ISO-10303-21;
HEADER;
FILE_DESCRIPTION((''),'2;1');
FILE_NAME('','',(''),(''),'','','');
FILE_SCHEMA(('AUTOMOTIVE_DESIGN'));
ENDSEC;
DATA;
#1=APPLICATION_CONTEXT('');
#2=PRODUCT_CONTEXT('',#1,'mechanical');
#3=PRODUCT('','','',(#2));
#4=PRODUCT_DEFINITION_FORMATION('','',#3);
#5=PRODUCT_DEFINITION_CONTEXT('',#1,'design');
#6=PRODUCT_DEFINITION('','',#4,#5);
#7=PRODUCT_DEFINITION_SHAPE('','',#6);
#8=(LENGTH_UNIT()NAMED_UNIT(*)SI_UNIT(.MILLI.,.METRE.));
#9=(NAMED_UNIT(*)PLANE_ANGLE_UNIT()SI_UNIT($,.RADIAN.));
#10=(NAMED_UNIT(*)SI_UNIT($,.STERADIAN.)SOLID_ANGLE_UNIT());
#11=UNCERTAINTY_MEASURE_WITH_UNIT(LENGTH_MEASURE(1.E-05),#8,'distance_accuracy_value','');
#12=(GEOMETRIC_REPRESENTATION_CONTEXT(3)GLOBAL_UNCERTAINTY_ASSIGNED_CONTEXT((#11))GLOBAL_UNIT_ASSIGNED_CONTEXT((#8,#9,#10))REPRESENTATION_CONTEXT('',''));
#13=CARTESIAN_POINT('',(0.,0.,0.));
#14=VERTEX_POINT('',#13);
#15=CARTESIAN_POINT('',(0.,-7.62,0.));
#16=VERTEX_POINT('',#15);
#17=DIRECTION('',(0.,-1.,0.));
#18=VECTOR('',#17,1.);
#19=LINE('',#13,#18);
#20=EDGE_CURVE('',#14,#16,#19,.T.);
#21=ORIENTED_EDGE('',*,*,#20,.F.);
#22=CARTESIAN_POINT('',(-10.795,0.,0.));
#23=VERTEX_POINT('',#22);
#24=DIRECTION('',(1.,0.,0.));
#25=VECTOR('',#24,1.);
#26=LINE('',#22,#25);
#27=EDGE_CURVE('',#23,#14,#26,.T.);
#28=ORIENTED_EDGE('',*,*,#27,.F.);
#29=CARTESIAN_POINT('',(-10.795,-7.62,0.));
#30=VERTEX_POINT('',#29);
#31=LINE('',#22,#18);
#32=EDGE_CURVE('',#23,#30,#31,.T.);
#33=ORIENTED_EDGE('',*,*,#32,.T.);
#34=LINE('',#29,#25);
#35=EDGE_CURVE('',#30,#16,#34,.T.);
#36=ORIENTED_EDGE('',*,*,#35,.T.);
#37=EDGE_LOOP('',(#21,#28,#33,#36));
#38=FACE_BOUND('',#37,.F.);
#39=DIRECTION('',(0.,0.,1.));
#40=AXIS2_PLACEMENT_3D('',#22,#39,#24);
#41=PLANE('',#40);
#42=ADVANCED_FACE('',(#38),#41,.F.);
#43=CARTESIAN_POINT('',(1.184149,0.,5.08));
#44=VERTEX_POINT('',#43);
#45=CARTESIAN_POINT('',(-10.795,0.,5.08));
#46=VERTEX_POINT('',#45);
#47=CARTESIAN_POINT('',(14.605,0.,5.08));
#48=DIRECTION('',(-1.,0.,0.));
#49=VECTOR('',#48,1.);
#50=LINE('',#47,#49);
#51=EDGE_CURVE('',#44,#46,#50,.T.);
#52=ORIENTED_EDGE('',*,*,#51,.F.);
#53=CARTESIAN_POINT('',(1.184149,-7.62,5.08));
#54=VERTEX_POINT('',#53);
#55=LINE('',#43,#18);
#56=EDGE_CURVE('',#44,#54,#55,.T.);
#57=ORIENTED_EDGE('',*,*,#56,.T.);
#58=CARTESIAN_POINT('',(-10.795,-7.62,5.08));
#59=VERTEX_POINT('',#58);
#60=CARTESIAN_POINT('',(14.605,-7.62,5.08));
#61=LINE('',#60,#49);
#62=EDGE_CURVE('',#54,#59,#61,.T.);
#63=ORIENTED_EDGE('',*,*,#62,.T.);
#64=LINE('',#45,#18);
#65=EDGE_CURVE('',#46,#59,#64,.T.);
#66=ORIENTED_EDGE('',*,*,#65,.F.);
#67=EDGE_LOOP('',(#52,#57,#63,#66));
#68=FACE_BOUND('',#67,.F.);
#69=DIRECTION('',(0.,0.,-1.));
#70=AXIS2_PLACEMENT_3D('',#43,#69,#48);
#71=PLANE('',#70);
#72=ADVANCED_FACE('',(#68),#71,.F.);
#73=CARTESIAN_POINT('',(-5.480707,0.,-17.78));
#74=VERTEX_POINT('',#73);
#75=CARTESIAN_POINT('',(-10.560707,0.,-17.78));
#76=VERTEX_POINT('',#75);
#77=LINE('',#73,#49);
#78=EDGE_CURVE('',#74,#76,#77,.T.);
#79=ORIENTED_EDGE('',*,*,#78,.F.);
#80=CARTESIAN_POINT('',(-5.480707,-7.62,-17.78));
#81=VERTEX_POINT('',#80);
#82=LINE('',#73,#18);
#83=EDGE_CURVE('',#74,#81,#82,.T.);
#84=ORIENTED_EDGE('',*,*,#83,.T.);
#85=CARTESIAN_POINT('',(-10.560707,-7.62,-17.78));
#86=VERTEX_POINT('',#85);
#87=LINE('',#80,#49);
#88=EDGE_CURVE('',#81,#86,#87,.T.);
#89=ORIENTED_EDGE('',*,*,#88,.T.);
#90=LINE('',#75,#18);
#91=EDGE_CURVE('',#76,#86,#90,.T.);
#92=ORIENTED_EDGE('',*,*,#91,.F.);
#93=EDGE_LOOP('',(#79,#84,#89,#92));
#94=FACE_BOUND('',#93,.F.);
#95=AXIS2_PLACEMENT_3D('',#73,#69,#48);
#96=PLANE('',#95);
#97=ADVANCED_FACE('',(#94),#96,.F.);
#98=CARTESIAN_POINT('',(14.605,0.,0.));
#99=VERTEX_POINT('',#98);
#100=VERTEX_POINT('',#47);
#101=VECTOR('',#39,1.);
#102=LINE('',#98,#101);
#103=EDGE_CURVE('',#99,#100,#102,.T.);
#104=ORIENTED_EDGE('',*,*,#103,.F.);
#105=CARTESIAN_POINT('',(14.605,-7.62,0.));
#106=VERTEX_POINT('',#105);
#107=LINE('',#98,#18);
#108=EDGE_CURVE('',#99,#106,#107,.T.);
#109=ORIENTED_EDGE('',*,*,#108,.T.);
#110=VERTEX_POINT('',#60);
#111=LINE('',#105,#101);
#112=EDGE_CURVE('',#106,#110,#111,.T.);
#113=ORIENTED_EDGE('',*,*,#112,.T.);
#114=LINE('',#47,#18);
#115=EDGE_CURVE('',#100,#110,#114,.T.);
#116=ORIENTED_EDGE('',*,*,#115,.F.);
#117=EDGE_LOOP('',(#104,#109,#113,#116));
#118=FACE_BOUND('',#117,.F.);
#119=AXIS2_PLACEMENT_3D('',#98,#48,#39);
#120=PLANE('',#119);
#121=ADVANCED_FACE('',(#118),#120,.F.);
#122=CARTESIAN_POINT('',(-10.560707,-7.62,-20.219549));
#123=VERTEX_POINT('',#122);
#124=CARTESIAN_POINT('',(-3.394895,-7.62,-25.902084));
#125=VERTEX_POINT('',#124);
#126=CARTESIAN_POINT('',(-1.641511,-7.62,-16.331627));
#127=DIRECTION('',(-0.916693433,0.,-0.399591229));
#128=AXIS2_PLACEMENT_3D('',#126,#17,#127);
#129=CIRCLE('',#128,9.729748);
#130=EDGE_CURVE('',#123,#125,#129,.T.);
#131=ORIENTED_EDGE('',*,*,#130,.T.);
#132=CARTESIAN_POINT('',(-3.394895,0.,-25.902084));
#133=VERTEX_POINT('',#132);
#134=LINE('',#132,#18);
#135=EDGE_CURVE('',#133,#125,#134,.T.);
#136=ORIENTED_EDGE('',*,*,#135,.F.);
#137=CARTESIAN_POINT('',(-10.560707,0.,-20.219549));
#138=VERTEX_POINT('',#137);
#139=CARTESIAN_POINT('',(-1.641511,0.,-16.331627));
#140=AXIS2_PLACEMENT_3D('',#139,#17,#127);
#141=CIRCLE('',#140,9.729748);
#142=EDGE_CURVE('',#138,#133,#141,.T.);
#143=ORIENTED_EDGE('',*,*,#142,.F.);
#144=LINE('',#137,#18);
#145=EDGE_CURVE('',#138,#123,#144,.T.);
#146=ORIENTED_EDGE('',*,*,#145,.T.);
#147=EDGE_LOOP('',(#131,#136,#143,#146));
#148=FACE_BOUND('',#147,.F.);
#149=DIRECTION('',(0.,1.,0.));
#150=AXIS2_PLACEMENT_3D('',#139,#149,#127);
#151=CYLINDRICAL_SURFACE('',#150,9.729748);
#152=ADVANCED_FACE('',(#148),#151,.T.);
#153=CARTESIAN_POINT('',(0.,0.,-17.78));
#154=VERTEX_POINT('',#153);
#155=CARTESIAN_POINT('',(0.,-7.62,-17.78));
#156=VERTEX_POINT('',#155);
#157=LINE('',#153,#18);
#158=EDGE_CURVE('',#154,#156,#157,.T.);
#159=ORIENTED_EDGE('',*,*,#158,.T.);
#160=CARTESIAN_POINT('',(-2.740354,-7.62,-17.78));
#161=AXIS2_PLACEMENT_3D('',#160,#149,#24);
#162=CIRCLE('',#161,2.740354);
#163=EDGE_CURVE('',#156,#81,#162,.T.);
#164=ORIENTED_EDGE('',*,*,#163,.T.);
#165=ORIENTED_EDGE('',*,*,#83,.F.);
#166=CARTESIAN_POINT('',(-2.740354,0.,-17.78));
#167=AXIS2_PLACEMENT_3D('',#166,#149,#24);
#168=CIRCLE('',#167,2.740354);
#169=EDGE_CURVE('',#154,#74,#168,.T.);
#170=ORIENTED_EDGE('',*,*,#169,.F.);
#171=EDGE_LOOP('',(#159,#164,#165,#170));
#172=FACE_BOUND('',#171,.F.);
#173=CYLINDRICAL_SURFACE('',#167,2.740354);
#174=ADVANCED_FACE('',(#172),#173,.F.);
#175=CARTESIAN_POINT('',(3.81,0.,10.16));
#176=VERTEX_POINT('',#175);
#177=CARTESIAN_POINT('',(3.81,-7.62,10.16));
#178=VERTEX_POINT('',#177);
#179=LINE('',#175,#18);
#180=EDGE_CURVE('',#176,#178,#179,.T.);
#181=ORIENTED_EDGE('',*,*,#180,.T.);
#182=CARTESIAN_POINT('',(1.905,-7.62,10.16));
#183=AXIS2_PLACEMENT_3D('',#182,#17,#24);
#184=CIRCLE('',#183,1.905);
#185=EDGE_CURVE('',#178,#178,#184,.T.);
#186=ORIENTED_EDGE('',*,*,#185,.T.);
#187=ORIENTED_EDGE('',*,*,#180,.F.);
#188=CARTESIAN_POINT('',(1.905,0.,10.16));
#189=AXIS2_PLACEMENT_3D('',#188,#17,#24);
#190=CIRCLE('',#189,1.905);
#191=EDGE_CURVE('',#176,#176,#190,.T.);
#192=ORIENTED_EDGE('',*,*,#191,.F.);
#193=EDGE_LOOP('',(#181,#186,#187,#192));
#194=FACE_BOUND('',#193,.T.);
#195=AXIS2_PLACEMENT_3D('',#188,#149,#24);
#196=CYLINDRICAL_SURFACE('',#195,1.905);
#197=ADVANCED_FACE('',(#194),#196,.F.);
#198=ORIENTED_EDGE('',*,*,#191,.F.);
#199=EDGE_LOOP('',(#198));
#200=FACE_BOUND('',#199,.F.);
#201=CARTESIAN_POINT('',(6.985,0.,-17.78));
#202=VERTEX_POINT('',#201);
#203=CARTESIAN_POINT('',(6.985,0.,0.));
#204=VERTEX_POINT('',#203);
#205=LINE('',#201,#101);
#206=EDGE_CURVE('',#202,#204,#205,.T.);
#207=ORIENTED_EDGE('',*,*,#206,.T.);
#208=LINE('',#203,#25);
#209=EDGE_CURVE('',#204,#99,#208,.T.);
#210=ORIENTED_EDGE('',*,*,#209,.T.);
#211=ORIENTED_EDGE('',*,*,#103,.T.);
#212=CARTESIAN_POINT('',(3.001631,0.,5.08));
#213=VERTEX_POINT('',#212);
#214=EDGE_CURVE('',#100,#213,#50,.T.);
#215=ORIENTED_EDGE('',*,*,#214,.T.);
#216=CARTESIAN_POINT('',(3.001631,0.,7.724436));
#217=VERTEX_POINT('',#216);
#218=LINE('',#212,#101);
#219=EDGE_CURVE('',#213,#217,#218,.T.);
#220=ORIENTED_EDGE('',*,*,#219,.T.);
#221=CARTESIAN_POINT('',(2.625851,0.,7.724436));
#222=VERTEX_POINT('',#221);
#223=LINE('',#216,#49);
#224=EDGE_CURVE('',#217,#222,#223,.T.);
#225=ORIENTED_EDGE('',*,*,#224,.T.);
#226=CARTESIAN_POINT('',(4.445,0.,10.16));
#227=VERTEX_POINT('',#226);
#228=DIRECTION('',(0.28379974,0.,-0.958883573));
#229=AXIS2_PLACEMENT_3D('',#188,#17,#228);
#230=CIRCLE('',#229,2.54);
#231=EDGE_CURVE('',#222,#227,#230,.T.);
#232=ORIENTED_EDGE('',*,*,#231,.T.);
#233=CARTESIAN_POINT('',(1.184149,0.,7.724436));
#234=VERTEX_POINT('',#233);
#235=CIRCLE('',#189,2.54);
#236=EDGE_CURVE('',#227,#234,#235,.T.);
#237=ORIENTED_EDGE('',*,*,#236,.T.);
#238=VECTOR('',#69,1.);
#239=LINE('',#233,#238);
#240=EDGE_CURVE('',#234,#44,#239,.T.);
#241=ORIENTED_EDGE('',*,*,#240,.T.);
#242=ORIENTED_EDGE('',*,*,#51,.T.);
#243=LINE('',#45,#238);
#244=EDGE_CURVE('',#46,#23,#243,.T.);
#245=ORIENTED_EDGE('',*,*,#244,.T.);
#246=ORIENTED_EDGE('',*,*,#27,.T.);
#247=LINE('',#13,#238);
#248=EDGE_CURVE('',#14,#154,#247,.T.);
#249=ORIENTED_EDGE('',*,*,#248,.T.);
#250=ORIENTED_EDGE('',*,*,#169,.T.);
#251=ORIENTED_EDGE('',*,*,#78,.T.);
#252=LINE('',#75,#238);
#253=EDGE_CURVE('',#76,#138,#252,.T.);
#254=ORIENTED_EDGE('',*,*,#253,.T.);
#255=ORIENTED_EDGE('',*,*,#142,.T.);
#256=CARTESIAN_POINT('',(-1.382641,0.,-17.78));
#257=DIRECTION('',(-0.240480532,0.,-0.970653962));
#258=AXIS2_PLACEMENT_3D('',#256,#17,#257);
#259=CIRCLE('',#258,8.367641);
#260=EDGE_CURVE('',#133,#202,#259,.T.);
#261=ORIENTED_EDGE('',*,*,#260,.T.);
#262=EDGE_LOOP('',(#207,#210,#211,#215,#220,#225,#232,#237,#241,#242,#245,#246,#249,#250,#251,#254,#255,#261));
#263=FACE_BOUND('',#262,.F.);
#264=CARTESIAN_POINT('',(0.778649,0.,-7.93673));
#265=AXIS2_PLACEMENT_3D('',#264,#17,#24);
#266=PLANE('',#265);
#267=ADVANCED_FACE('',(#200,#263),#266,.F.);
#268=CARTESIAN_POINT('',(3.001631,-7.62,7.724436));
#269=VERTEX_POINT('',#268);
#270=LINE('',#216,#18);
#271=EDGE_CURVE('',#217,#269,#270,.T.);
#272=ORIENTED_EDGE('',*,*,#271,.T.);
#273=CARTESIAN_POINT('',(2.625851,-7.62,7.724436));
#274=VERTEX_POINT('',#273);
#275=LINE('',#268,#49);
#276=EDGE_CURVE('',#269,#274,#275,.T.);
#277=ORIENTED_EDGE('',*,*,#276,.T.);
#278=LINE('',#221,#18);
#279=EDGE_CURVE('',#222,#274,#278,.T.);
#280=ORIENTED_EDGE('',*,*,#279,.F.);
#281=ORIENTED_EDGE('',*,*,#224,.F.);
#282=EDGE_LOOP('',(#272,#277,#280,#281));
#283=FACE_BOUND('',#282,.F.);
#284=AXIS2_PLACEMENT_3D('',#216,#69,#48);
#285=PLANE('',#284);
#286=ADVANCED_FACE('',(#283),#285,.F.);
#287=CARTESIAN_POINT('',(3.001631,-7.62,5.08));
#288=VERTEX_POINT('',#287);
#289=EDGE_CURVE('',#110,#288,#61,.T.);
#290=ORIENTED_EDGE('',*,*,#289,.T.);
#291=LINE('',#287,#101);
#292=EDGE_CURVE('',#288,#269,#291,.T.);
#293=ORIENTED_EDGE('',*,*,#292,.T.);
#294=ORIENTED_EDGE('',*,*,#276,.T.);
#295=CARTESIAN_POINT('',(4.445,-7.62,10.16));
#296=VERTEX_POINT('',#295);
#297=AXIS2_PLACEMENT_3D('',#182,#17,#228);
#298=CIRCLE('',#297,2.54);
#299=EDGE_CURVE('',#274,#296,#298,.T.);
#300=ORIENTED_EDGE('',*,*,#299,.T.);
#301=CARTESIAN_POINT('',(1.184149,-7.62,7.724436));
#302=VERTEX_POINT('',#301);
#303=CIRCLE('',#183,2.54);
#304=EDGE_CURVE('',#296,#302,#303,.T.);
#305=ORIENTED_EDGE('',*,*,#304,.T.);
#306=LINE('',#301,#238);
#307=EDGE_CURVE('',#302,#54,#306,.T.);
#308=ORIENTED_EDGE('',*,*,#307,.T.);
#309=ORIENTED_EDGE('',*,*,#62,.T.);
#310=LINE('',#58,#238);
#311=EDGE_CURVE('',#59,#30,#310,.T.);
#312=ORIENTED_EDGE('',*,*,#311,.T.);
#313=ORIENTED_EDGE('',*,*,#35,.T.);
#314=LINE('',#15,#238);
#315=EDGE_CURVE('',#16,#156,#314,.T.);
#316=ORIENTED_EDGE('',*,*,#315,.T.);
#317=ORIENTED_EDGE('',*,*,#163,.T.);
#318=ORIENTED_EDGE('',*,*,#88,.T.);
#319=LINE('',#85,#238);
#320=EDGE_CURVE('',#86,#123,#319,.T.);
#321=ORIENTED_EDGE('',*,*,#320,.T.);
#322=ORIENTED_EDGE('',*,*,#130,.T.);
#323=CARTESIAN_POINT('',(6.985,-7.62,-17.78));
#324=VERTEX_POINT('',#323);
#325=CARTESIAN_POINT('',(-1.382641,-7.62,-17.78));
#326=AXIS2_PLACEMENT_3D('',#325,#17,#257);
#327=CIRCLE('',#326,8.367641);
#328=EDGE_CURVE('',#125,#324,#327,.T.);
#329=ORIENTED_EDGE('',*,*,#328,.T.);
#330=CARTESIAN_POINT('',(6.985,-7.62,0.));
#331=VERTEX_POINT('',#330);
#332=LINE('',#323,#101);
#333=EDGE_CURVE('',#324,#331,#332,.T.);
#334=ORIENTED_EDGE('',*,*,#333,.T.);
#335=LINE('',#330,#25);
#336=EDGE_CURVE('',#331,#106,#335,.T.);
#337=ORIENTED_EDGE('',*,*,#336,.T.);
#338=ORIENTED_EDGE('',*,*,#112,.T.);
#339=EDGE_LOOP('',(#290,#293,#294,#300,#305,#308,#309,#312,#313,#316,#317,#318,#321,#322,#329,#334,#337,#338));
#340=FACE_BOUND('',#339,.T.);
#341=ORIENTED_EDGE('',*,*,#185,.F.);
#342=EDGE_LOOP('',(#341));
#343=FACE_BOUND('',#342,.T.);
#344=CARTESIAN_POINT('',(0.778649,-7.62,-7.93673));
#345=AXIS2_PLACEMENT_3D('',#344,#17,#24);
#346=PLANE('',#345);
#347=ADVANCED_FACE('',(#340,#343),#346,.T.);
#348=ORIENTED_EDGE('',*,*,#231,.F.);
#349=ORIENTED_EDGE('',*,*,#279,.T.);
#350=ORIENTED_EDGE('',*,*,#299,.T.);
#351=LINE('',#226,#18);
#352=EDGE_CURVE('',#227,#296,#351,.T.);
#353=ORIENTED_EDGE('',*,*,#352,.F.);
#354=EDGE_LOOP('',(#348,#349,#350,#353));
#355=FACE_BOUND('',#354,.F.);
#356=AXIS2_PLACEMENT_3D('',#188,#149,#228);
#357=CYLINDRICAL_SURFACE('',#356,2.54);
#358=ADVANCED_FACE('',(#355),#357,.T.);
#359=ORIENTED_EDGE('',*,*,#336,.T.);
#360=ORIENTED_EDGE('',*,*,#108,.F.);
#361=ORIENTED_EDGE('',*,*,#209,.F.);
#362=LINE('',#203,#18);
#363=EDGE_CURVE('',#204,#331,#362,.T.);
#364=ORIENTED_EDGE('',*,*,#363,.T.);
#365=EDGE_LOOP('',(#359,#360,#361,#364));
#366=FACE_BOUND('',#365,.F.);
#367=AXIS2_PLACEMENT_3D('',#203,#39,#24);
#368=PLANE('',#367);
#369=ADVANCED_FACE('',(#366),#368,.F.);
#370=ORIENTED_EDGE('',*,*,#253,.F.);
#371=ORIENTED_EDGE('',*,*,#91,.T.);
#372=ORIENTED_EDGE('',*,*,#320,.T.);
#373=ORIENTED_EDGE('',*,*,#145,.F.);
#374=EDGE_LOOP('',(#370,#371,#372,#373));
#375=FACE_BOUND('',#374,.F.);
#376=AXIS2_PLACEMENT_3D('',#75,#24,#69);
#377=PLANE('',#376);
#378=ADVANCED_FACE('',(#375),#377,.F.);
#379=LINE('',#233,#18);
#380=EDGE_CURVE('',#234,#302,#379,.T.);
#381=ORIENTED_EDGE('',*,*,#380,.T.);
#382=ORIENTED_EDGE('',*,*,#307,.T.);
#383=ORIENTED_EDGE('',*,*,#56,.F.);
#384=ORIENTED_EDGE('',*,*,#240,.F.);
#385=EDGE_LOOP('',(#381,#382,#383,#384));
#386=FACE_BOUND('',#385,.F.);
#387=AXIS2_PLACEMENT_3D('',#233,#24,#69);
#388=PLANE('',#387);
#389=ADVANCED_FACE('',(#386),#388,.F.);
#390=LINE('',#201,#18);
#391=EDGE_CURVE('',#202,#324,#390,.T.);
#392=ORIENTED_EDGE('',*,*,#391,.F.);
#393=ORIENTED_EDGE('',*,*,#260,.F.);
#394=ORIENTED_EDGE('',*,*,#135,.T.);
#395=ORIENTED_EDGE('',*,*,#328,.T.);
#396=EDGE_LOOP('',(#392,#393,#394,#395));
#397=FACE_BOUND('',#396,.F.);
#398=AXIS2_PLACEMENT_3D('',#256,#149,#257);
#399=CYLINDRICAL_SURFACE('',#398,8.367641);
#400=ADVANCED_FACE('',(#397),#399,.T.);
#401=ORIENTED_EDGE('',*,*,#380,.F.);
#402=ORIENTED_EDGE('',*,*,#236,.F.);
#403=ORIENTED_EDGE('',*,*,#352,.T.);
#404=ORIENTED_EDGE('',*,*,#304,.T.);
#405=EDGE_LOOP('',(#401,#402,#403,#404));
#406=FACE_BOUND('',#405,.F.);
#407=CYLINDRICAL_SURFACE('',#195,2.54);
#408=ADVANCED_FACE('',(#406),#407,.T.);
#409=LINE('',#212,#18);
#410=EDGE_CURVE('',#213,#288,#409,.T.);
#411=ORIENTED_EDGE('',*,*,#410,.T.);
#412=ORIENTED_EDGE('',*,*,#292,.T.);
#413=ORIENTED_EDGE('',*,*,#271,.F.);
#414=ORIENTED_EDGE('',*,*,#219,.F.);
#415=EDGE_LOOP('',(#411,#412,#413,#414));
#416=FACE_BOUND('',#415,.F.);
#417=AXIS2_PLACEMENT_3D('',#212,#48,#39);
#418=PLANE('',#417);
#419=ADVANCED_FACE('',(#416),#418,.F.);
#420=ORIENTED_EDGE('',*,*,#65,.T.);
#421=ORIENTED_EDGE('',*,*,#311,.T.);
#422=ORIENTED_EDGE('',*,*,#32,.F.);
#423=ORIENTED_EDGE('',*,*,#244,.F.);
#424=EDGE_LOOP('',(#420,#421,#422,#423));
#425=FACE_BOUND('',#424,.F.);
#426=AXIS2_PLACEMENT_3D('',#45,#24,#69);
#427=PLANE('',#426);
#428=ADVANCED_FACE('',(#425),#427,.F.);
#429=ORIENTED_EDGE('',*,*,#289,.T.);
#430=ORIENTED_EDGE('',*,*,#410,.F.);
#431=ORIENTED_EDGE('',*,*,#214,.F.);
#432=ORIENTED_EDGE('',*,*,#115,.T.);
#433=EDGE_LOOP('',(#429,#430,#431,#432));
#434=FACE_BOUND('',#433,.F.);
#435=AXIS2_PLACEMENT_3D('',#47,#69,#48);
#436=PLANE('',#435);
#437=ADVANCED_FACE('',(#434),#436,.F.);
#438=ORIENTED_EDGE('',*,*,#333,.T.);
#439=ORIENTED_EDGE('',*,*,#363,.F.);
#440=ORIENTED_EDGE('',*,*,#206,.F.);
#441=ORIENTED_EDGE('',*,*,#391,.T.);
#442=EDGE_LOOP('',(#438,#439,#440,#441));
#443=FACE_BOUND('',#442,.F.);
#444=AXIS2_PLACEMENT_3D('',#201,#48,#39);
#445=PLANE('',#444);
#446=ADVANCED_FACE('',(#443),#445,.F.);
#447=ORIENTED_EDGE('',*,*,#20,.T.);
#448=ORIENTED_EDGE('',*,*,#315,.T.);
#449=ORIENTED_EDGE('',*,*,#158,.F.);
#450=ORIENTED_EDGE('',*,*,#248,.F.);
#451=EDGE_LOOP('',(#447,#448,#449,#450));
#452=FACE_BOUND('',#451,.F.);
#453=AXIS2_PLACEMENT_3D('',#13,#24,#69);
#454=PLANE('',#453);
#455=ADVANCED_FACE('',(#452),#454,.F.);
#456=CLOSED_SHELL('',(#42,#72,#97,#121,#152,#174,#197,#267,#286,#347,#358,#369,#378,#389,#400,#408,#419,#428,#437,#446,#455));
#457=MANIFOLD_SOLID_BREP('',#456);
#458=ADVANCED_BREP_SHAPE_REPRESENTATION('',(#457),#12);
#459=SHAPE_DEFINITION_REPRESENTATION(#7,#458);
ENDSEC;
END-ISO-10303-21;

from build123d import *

# Parameters (mm, degrees)
F0_R     = 1.905
F1_DEPTH = 7.62


with BuildPart() as f1:
    # F0 (on Front) → F1 (new body)
    with BuildSketch(Plane.XZ):
        with BuildLine():
            Line((1.1841486596, 5.08), (-10.795, 5.08))
            Line((-10.795, 5.08), (-10.795, 0))
            Line((-10.795, 0), (0, 0))
            Line((0, 0), (0, -17.78))
            ThreePointArc((0, -17.78), (-2.7403535787, -20.5203535787), (-5.4807071574, -17.78))
            Line((-5.4807071574, -17.78), (-10.5607071574, -17.78))
            Line((-10.5607071574, -17.78), (-10.5607071574, -20.2195488962))
            ThreePointArc((-10.5607071574, -20.2195488962), (-7.6870708125, -23.955222101), (-3.3948952839, -25.9020835155))
            ThreePointArc((-3.3948952839, -25.9020835155), (3.7738885263, -24.3699633295), (6.985, -17.78))
            Line((6.985, -17.78), (6.985, 0))
            Line((6.985, 0), (14.605, 0))
            Line((14.605, 0), (14.605, 5.08))
            Line((14.605, 5.08), (3.0016307719, 5.08))
            Line((3.0016307719, 5.08), (1.1841486596, 5.08))
        make_face()
        with BuildLine():
            Line((1.1841486596, 7.7244357235), (1.1841486596, 5.08))
            Line((1.1841486596, 5.08), (3.0016307719, 5.08))
            Line((3.0016307719, 5.08), (3.0016307719, 7.7244357235))
            Line((3.0016307719, 7.7244357235), (2.6258513404, 7.7244357235))
            ThreePointArc((2.6258513404, 7.7244357235), (1.905, 7.62), (1.1841486596, 7.7244357235))
        make_face()
        with BuildLine():
            Line((2.6258513404, 7.7244357235), (1.1841486596, 7.7244357235))
            ThreePointArc((1.1841486596, 7.7244357235), (1.905, 7.62), (2.6258513404, 7.7244357235))
        make_face()
        with BuildLine():
            ThreePointArc((4.445, 10.16), (0.3850267115, 12.1950138089), (1.1841486596, 7.7244357235))
            Line((1.1841486596, 7.7244357235), (2.6258513404, 7.7244357235))
            ThreePointArc((2.6258513404, 7.7244357235), (3.9400138089, 8.6400267115), (4.445, 10.16))
        make_face()
        with Locations((1.905, 10.16)):
            Circle(F0_R, mode=Mode.SUBTRACT)
    extrude(amount=F1_DEPTH)


solid = f1.part
